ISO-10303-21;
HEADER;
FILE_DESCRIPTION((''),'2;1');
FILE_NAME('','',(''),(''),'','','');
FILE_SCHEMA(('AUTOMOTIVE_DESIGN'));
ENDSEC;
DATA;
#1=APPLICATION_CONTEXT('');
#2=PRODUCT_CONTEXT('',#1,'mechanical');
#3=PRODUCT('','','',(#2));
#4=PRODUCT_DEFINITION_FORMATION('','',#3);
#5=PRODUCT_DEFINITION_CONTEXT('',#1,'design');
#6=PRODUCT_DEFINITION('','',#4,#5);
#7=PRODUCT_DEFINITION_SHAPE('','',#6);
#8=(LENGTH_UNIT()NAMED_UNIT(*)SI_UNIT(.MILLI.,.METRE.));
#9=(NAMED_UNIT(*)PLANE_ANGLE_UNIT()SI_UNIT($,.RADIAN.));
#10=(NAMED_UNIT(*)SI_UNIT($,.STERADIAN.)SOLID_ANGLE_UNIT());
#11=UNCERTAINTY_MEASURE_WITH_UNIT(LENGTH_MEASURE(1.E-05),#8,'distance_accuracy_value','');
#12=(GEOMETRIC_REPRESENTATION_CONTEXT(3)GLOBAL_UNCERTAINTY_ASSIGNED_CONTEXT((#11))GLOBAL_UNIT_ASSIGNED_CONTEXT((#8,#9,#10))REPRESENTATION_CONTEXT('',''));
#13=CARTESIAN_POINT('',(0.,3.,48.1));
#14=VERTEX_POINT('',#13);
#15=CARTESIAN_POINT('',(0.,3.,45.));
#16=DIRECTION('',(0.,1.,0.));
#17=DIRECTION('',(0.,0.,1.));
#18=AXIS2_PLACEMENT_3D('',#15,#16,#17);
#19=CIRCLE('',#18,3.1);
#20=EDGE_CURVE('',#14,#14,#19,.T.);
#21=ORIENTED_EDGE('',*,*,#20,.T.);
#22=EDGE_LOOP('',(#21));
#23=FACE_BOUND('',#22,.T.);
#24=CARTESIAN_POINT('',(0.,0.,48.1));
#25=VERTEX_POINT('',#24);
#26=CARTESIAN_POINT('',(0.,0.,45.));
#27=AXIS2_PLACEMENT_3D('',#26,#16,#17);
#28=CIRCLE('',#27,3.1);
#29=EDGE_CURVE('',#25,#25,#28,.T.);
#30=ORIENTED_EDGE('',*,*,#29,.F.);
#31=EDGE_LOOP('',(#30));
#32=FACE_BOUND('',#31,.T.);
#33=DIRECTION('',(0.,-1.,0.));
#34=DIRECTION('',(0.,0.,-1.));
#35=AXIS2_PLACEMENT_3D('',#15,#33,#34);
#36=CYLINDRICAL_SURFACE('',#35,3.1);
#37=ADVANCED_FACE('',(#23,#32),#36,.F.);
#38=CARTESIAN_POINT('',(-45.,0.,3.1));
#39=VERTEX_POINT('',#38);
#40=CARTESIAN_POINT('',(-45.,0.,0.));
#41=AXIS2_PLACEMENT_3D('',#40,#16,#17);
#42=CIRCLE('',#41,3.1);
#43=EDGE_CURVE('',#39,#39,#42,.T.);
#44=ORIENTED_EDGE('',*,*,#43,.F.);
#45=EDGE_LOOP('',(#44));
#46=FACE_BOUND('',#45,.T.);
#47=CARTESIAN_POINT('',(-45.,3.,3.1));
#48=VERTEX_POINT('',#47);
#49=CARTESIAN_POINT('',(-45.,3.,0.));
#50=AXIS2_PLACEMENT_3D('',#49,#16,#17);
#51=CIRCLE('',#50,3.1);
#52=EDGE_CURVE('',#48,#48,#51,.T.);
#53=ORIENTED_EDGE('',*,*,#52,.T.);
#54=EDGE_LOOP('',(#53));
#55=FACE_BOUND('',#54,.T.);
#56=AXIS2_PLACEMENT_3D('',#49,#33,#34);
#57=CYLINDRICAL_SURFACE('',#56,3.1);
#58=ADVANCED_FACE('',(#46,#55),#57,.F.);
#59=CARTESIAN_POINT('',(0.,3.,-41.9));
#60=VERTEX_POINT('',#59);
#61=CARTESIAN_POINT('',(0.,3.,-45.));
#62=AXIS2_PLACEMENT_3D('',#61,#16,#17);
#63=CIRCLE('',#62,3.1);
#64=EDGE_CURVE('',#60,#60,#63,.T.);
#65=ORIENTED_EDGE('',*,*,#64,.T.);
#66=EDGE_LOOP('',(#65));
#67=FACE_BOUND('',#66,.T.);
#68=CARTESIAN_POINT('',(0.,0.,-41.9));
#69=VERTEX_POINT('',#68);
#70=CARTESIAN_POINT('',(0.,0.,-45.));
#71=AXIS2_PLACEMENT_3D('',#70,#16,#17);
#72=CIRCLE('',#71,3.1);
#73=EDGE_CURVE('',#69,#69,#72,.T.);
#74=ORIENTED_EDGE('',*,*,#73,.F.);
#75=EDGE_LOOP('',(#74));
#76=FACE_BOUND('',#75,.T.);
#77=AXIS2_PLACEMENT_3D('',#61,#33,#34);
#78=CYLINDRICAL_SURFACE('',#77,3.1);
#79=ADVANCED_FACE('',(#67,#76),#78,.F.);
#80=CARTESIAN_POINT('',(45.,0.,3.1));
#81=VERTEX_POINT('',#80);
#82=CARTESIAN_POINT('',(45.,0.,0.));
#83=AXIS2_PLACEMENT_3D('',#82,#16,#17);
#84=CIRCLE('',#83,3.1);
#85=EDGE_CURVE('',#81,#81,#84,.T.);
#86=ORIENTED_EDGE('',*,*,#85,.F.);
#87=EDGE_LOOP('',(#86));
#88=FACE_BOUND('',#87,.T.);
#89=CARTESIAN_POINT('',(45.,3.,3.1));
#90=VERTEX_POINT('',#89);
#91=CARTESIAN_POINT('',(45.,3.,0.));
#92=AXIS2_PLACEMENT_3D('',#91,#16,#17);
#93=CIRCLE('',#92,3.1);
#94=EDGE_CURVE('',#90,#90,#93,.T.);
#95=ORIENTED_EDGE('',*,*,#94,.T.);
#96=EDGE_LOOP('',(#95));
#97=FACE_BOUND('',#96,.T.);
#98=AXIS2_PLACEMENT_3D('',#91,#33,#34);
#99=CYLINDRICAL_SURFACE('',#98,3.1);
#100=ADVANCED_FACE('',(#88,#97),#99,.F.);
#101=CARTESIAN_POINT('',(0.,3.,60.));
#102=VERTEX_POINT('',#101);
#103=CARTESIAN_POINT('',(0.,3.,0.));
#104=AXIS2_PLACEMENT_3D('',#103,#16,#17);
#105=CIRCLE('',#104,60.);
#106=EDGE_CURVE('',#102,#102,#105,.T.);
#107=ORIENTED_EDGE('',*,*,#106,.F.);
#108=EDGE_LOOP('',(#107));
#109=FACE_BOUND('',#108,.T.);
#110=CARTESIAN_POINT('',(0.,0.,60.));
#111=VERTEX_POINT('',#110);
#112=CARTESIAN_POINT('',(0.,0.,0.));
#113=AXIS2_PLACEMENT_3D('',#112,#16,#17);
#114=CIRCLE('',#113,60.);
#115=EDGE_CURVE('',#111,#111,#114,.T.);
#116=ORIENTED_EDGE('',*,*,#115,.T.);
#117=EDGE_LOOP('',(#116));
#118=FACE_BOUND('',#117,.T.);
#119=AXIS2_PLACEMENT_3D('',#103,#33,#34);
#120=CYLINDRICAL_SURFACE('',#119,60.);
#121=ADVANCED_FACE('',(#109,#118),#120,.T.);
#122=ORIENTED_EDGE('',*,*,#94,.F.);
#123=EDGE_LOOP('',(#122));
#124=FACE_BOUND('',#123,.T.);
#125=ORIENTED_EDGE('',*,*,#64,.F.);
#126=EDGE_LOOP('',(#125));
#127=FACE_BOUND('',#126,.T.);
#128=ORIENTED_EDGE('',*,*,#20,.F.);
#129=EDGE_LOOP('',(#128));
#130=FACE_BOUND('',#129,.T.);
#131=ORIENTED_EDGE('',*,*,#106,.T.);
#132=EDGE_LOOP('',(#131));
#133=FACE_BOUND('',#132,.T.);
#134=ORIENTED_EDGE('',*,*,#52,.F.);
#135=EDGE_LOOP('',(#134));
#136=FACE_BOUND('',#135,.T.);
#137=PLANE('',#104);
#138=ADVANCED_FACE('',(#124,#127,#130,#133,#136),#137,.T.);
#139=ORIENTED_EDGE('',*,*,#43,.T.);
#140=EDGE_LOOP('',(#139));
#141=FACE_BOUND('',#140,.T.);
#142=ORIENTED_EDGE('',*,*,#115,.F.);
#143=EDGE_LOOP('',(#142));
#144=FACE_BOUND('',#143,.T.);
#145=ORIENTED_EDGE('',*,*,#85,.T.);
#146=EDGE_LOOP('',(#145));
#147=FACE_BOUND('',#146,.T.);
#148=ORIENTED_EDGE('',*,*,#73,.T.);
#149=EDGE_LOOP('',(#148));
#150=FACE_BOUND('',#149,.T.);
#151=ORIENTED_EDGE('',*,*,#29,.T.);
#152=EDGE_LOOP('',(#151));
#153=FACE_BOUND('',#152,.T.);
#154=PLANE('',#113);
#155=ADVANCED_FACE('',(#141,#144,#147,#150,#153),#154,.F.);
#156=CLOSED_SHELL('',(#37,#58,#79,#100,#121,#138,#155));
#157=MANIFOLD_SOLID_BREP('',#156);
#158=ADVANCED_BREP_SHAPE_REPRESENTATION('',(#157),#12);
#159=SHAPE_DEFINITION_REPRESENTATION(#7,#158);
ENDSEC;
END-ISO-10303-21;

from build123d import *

# Parameters (mm, degrees)
SKETCH1_R           = 60
SKETCH1_R_2         = 3.1
BOSS_EXTRUDE1_DEPTH = 3


with BuildPart() as part:
    # Sketch1 → Boss-Extrude1 (new body)
    with BuildSketch(Plane(origin=(0, 0, 0), x_dir=(1, 0, 0), z_dir=(0, 1, 0))):
        with Locations(Location((0, 0, 0), (0, 0, 270))):
            Circle(SKETCH1_R)
        with Locations(Location((-45, 0, 0), (0, 0, 270))):
            Circle(SKETCH1_R_2, mode=Mode.SUBTRACT)
        with Locations(Location((0, 45, 0), (0, 0, 270))):
            Circle(SKETCH1_R_2, mode=Mode.SUBTRACT)
        with Locations(Location((45, 0, 0), (0, 0, 270))):
            Circle(SKETCH1_R_2, mode=Mode.SUBTRACT)
        with Locations(Location((0, -45, 0), (0, 0, 270))):
            Circle(SKETCH1_R_2, mode=Mode.SUBTRACT)
    extrude(amount=BOSS_EXTRUDE1_DEPTH)


solid = part.part
